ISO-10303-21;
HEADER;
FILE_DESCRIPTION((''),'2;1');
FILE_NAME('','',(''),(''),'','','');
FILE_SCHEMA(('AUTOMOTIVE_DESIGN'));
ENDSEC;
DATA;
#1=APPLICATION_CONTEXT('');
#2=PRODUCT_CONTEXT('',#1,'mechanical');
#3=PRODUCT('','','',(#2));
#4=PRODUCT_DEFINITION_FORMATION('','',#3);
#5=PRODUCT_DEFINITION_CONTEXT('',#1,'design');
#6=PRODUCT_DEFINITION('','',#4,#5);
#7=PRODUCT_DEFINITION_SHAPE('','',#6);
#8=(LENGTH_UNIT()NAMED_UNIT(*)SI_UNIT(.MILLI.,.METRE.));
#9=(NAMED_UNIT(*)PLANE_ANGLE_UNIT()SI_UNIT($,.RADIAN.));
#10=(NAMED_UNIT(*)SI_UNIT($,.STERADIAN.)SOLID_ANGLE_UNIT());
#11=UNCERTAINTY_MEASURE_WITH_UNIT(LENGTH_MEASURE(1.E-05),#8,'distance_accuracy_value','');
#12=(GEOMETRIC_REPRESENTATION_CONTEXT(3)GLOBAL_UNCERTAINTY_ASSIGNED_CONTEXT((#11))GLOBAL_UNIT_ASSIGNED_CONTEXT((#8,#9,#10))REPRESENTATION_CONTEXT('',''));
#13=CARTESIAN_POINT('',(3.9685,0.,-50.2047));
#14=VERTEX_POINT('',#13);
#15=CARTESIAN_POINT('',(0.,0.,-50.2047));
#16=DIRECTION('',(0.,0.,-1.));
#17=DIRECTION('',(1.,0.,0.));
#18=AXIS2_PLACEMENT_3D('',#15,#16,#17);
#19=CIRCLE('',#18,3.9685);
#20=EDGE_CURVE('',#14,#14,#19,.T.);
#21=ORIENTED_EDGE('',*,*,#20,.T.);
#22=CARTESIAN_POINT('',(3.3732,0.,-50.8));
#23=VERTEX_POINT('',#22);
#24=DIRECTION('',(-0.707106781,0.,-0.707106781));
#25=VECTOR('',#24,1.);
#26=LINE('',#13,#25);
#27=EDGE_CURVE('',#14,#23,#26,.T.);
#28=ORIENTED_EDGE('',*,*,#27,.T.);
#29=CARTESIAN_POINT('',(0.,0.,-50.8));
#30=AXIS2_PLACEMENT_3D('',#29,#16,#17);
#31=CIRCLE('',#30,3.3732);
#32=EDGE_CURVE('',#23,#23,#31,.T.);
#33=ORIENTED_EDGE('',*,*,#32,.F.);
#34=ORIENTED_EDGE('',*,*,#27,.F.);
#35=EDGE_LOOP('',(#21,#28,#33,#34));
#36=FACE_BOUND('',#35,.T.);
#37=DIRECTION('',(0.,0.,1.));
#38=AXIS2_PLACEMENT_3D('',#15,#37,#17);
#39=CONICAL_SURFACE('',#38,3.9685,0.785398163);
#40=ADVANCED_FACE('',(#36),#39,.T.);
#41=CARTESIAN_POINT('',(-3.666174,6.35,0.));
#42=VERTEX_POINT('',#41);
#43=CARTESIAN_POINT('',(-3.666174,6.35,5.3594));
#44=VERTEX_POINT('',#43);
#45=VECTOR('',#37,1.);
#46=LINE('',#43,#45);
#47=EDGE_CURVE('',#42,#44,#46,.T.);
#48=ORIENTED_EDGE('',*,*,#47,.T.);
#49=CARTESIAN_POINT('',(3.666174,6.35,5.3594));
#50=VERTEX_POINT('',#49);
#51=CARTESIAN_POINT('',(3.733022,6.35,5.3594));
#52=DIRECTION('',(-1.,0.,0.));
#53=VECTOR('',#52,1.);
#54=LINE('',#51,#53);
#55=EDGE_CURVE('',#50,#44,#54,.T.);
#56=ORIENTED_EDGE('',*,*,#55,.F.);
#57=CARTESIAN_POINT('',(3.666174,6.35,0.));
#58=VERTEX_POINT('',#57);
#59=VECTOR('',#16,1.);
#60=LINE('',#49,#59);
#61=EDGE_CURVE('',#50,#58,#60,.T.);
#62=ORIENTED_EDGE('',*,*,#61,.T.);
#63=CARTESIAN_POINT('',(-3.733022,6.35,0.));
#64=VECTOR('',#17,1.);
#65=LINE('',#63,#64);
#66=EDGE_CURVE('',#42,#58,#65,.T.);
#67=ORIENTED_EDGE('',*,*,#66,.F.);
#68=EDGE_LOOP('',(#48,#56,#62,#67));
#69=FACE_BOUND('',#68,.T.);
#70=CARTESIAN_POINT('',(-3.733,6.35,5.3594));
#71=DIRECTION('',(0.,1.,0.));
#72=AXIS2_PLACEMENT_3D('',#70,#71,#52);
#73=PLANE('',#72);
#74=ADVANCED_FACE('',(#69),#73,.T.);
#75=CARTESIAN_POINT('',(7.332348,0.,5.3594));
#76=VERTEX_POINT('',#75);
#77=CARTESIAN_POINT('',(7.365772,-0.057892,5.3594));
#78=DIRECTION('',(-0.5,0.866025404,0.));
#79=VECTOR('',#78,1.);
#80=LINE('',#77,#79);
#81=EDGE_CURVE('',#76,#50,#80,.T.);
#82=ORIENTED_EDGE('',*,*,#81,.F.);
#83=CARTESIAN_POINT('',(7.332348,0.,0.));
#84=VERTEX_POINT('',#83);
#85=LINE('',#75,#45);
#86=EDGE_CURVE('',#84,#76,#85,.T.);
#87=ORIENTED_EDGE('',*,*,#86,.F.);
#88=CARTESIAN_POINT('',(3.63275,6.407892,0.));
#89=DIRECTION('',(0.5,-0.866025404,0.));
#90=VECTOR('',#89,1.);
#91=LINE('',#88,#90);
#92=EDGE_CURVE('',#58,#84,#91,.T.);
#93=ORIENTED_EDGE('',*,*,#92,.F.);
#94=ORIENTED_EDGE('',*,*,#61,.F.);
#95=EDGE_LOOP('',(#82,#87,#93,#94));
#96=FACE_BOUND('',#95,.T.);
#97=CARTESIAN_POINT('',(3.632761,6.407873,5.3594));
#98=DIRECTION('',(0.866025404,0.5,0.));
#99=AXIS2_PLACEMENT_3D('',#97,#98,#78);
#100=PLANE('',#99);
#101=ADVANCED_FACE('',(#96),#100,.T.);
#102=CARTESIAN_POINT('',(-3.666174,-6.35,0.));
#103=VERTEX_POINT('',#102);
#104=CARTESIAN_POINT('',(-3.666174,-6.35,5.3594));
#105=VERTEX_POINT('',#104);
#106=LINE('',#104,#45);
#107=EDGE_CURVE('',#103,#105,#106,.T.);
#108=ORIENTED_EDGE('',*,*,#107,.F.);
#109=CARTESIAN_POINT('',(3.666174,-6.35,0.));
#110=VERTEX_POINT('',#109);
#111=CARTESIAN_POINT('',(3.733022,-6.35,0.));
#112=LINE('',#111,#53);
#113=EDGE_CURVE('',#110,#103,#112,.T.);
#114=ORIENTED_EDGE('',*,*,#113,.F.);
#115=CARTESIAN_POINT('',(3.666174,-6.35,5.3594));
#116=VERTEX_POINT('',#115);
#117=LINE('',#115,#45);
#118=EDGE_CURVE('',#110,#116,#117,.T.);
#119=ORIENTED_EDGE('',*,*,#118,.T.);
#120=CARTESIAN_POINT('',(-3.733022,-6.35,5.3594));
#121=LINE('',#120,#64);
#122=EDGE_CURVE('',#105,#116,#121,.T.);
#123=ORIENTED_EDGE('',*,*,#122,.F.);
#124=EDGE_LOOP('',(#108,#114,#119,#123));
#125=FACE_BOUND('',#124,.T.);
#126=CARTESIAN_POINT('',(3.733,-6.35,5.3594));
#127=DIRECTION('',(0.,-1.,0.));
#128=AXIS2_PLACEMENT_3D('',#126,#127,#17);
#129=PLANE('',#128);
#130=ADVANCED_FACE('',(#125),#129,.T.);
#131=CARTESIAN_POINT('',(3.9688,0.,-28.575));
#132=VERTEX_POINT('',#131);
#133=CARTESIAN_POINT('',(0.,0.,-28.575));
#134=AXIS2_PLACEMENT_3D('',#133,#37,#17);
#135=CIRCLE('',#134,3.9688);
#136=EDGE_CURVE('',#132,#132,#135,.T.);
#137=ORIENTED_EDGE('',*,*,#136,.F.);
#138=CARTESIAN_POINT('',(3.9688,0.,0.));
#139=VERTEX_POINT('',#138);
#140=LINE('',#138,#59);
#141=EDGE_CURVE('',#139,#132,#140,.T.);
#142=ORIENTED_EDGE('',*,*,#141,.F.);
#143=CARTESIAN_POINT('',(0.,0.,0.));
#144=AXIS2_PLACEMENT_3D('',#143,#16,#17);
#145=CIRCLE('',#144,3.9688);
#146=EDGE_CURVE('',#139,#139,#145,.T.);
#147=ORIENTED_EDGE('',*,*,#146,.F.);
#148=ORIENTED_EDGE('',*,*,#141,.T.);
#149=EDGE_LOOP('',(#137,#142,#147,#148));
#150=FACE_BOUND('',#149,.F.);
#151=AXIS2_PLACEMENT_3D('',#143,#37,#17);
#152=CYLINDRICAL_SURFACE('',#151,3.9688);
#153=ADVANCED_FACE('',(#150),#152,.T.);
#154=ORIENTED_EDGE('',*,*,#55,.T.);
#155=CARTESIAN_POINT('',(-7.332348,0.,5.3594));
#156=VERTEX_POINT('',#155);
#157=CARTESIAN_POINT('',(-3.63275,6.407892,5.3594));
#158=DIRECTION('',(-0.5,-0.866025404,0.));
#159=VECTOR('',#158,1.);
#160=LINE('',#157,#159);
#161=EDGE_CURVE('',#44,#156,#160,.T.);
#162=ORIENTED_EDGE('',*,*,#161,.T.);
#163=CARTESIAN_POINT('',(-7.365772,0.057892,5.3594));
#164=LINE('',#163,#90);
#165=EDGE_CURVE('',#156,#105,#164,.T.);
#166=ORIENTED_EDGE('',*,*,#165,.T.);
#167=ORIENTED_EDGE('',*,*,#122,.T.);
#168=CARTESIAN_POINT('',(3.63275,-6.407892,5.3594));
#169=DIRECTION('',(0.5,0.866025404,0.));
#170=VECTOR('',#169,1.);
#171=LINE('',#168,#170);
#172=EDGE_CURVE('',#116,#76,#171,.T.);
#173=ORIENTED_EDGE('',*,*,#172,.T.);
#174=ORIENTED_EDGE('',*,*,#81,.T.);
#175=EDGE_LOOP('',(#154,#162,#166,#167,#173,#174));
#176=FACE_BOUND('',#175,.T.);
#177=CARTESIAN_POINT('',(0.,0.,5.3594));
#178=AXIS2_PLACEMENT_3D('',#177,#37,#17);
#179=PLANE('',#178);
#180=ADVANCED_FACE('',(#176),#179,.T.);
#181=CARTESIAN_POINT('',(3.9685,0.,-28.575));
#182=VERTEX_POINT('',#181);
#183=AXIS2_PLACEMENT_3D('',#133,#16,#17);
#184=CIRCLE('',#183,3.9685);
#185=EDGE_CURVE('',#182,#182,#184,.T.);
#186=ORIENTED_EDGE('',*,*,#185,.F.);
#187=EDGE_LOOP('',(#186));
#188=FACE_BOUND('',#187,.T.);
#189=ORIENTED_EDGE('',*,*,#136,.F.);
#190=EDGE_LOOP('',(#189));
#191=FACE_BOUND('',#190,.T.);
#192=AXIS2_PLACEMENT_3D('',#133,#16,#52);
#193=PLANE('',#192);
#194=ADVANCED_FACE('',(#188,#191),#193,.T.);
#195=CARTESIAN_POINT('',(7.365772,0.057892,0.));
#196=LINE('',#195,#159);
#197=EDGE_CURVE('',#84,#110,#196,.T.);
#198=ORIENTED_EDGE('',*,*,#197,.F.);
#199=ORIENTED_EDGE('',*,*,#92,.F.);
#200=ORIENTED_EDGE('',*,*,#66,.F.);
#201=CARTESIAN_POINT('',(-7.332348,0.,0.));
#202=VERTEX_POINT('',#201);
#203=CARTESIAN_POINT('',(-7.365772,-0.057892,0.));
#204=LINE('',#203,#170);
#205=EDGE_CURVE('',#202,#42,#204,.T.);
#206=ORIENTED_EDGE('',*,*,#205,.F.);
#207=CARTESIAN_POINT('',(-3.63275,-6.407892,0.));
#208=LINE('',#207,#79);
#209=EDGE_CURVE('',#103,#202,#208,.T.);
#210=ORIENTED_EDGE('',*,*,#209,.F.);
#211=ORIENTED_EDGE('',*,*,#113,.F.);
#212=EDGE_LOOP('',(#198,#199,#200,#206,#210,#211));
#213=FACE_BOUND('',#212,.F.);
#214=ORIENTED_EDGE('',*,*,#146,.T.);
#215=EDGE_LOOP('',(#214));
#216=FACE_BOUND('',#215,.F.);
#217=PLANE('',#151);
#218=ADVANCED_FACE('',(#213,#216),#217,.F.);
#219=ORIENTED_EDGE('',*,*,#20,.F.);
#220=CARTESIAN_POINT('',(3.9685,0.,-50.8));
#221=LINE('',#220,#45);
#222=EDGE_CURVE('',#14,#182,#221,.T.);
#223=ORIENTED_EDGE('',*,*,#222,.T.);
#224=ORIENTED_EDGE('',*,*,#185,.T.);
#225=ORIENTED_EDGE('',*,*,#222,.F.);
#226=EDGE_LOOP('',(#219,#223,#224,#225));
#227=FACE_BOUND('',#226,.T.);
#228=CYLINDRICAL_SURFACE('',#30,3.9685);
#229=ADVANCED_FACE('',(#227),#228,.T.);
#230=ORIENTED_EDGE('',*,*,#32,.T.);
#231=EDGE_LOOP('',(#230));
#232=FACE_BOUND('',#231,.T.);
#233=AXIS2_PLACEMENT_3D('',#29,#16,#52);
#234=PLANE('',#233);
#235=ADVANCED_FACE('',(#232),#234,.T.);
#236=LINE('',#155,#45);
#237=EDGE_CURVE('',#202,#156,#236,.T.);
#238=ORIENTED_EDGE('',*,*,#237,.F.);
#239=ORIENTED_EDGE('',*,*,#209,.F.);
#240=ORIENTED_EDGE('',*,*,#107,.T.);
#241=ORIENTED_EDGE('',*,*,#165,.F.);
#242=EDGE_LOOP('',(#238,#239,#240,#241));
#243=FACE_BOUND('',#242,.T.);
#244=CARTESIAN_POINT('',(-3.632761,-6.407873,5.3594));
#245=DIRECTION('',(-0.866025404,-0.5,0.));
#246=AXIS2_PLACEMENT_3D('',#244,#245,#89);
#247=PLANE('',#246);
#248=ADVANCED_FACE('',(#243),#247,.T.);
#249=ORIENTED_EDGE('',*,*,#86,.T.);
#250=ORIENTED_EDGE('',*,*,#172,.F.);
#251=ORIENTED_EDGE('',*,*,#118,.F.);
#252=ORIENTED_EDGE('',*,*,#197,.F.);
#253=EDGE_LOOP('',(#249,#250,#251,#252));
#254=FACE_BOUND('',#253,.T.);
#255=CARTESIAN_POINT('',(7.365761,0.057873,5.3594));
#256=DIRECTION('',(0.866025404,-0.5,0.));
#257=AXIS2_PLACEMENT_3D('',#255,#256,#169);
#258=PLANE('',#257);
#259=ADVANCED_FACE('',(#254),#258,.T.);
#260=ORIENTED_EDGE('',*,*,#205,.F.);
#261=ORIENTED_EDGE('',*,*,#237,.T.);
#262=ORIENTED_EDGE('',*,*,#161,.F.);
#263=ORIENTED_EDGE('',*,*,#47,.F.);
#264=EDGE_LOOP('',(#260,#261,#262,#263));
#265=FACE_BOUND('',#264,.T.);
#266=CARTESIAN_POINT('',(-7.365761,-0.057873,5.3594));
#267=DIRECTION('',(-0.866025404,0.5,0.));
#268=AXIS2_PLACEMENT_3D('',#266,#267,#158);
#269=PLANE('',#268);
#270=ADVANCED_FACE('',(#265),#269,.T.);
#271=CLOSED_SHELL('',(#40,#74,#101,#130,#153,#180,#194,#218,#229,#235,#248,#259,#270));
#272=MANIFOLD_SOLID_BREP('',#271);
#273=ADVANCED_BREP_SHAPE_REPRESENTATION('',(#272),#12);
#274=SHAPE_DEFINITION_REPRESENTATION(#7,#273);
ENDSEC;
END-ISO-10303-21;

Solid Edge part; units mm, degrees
sketch "Sketch1" plane through (0, 0, 0) normal (0, 0, 1) x (1, 0, 0)
  circle A0 centre (0, 0) radius 7.366
  dimension "D1" = 14.732
extrude "Protrusion1" add sketch "Sketch1" along normal blind 5.3594
sketch "Sketch2" plane through (0, 0, 0) normal (0, 0, -1) x (1, 0, 0)
  circle A0 centre (0, 0) radius 3.9688
extrude "Protrusion2" add sketch "Sketch2" along normal blind 50.8
sketch "Sketch3" plane through (0, 0, -50.8) normal (0, 0, -1) x (1, 0, 0)
  circle A0 centre (0, 0) radius 3.9685
extrude "Cutout1" cut sketch "Sketch3" against normal blind 22.225 flip side to cut
chamfer "Chamfer_1" distance 0.5953 angle 45 1 edges at (-3.9685, 0, -50.8)
sketch "Sketch4" plane through (0, 0, 5.3594) normal (0, 0, 1) x (1, 0, 0)
  line L0 (-3.733, 6.35) -> (3.733, 6.35)
  dimension "D1" = 12.7
extrude "Cutout2" cut sketch "Sketch4" against normal up to next material side at (0, 6.4, 5.3594)
pattern_circular "Pattern1" count 6 over 360 about axis through (0, 0, 5.3594) along (0, 0, 1) of "Cutout2"
properties part number "24100010"
